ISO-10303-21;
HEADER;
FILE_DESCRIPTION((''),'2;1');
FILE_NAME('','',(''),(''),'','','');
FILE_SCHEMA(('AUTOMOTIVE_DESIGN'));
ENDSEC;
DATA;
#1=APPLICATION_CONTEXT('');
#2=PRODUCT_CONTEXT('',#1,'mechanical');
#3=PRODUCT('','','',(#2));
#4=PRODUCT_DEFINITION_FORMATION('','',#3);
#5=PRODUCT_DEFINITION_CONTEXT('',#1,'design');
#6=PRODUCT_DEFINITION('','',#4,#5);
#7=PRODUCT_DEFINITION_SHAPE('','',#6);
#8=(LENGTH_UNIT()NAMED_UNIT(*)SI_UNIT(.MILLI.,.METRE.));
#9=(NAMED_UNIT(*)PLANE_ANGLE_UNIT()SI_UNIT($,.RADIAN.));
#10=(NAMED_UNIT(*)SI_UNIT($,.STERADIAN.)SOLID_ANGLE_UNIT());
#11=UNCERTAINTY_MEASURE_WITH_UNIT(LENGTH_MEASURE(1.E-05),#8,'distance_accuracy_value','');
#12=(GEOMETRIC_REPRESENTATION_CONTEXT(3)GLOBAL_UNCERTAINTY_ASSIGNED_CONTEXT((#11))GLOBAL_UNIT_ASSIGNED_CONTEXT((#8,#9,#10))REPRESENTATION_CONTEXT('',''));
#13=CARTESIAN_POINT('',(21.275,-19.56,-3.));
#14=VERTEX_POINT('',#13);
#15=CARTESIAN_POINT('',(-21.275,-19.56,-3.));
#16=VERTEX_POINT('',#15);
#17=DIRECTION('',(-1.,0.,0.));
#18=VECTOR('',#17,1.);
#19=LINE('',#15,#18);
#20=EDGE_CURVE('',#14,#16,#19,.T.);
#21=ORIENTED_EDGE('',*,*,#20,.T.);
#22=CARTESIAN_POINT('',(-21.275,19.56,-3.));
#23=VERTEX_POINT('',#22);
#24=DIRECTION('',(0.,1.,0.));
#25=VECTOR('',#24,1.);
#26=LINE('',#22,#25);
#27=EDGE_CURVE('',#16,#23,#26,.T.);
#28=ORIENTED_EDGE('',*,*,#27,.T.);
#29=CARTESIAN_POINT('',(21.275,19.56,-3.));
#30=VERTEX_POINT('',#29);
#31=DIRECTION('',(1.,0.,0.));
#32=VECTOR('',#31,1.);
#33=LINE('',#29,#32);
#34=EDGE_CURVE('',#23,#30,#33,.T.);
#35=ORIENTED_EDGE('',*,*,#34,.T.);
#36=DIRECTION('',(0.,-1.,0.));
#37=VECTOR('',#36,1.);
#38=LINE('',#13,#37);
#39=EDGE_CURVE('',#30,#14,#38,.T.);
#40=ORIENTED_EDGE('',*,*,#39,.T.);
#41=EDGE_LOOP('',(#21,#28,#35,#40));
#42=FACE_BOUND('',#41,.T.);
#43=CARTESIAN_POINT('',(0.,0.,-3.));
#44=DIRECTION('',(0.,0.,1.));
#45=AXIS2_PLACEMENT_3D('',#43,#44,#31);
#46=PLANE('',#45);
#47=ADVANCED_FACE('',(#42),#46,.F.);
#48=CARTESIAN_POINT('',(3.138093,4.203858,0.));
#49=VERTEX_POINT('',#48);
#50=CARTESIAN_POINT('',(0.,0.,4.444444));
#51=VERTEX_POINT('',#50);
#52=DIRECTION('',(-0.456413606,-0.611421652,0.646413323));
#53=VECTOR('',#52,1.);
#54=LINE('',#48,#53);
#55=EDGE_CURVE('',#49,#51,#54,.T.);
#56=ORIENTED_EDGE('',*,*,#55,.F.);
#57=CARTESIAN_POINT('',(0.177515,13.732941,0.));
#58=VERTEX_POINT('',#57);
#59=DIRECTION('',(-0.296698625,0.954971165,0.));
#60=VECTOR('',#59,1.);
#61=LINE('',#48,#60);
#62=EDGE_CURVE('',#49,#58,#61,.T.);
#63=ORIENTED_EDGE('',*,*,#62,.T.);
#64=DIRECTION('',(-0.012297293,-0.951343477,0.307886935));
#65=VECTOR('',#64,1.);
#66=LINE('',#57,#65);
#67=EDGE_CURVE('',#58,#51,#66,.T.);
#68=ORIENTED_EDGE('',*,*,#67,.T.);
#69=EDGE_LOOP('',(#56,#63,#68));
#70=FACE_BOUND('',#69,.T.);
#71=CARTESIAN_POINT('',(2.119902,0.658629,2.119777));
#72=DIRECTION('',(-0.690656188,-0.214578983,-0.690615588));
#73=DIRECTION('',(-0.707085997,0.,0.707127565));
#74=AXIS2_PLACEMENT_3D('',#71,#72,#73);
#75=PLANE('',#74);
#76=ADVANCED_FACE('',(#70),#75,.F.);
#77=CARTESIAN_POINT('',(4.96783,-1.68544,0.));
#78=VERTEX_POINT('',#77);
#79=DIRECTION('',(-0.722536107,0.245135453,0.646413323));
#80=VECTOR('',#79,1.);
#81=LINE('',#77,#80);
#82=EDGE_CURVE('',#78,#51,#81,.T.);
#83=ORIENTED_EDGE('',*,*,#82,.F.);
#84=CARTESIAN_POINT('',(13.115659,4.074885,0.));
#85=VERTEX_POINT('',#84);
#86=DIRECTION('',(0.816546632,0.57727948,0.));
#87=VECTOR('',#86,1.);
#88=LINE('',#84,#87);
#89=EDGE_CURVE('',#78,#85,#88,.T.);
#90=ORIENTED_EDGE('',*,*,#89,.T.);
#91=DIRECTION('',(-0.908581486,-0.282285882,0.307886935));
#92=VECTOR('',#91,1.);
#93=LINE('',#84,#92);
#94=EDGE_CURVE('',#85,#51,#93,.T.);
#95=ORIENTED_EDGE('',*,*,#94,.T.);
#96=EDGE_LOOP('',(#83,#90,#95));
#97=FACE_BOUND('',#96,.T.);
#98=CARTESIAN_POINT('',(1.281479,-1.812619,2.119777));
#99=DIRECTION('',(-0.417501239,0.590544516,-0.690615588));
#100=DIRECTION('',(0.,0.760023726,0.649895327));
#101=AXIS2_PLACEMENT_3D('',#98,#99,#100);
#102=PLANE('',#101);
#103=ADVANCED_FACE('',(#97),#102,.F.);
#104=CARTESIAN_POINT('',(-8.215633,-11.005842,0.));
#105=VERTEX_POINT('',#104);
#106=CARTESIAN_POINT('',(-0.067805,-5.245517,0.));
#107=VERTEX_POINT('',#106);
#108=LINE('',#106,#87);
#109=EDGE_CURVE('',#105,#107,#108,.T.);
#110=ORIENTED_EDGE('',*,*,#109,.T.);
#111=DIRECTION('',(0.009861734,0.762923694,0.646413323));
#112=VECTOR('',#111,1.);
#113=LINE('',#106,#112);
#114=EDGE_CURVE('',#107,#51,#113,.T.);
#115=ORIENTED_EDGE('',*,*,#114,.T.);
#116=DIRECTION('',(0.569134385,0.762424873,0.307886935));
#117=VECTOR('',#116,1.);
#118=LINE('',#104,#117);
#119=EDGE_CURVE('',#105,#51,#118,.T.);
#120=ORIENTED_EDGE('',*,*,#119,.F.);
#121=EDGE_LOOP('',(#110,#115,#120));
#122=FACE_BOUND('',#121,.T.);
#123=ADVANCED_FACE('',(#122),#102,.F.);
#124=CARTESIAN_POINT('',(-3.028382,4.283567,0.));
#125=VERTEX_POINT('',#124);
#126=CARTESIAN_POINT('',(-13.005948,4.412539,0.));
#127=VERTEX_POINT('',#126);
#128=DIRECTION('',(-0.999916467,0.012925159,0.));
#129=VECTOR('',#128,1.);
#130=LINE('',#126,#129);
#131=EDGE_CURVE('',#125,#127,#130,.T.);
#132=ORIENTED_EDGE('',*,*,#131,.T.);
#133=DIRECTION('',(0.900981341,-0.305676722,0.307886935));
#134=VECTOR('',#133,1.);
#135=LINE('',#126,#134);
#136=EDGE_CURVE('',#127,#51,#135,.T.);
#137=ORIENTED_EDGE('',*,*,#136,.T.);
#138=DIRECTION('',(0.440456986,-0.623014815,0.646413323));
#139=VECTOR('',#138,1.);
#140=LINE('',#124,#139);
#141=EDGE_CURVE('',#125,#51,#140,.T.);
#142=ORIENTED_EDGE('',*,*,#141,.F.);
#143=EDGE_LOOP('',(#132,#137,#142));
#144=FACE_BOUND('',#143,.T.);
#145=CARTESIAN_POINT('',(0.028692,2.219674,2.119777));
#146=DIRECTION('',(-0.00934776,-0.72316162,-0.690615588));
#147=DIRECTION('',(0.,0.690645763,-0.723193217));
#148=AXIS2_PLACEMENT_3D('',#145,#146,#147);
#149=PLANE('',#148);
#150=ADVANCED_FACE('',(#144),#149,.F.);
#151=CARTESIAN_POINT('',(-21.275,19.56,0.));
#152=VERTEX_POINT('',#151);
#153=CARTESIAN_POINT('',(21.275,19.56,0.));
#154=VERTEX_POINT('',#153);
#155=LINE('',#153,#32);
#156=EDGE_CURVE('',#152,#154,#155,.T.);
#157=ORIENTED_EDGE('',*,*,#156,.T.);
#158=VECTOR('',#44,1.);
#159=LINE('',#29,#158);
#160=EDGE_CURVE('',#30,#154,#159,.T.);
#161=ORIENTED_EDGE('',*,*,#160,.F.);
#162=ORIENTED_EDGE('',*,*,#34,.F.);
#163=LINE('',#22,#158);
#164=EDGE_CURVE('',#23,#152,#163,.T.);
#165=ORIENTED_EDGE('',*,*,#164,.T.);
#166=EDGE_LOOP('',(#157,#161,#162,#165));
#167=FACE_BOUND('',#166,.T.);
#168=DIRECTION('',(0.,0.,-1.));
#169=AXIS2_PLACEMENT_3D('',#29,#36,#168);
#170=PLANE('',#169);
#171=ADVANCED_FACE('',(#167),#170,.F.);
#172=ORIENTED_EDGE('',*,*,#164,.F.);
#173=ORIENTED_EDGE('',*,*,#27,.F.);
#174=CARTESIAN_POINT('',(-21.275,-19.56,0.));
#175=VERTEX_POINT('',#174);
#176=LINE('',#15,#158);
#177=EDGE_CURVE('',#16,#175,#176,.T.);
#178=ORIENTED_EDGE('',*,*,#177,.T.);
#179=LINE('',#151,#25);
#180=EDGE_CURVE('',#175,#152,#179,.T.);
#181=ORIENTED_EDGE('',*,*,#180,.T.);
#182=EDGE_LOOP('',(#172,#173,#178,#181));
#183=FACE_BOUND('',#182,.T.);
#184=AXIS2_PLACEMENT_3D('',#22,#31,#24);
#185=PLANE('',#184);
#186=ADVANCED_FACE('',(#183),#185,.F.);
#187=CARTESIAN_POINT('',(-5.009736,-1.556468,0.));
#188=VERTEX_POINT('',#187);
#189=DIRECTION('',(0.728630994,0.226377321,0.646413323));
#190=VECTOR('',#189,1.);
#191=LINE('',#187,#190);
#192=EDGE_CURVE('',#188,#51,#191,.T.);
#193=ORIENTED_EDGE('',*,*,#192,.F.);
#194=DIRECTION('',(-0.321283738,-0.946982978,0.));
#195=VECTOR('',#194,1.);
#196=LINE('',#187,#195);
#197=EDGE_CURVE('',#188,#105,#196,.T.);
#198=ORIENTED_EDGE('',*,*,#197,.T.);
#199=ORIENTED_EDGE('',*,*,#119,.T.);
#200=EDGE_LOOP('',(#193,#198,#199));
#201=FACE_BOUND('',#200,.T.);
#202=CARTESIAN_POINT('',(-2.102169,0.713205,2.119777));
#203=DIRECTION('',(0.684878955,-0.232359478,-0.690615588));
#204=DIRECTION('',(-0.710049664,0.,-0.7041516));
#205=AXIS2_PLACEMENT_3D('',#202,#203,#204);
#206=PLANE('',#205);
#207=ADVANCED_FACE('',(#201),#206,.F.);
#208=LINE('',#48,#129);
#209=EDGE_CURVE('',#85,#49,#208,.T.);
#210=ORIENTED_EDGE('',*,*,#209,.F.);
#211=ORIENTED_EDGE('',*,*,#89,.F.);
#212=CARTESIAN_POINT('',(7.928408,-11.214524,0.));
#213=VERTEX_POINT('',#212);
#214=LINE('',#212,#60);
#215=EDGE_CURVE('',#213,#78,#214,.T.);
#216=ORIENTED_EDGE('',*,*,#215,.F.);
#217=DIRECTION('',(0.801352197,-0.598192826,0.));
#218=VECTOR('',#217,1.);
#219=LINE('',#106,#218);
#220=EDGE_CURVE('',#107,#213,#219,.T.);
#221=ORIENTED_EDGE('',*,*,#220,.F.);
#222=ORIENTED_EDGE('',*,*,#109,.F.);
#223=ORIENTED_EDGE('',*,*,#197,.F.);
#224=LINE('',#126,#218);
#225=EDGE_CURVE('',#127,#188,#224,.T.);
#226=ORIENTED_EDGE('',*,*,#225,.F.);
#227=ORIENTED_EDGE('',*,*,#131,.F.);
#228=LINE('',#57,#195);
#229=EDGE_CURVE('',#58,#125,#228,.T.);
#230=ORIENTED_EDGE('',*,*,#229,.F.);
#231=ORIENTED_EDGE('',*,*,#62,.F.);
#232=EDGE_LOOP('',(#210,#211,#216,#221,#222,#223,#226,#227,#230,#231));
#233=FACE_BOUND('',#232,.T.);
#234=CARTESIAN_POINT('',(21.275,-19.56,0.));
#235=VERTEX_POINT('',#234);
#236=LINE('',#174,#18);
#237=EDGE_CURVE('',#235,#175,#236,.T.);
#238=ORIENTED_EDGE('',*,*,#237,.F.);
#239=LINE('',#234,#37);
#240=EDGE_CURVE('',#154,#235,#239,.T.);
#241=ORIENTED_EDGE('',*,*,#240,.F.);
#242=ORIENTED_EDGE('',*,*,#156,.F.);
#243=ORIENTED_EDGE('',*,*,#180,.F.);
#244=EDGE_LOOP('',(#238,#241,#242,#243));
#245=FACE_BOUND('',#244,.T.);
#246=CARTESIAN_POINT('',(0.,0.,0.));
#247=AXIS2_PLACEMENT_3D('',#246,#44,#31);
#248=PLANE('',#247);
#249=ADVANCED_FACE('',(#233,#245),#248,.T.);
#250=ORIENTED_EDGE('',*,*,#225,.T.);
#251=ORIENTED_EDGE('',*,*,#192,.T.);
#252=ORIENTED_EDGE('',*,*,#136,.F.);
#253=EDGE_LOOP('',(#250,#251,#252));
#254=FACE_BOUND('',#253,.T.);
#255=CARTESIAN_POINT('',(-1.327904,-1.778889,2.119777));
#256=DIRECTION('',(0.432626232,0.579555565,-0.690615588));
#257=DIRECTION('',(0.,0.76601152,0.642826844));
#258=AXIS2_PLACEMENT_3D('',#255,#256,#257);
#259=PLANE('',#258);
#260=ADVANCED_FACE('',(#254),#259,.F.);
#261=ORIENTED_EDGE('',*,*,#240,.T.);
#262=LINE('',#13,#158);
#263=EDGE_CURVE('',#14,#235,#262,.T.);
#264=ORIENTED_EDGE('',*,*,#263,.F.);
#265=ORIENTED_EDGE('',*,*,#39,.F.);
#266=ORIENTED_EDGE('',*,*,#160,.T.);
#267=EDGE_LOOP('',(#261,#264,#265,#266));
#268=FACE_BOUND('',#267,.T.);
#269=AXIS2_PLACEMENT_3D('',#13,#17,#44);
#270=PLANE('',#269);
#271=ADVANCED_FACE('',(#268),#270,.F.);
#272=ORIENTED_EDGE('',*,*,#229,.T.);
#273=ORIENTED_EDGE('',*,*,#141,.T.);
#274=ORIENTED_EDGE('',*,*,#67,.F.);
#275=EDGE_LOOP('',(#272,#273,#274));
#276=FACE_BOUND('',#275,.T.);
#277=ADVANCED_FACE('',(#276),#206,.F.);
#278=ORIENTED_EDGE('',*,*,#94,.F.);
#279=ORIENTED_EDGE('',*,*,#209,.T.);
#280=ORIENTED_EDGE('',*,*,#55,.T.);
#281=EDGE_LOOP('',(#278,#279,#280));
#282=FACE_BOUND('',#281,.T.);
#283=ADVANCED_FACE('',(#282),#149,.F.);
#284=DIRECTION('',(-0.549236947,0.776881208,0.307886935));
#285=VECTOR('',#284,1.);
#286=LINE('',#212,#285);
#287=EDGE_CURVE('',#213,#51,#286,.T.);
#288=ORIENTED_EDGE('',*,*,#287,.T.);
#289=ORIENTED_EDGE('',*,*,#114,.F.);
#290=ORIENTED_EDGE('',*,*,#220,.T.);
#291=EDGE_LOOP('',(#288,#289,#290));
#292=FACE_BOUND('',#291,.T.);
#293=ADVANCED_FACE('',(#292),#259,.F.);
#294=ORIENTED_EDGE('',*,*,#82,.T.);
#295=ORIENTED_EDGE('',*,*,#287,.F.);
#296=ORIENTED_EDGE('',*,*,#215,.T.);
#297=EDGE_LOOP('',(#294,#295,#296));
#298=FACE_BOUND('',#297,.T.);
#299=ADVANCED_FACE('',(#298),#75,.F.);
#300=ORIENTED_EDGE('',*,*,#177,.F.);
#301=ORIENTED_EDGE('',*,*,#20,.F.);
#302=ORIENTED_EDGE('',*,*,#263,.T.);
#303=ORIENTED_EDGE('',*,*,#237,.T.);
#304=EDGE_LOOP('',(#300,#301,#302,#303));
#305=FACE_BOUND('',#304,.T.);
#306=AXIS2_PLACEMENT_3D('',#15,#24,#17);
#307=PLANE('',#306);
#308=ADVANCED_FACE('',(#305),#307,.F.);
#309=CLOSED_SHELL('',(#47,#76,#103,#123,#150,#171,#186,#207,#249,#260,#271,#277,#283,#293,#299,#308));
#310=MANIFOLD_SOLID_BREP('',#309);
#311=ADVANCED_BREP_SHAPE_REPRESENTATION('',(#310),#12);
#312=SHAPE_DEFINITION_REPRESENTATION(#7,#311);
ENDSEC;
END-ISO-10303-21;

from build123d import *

# Parameters (mm, degrees)
SCALE1_SCALE        = 0.222222222
SKETCH5_W           = 42.55
SKETCH5_H           = 39.12
BOSS_EXTRUDE1_DEPTH = 3


with BuildPart() as part:
    # Sketch2 → Loft1 section 0
    with BuildSketch(Plane.XY, mode=Mode.PRIVATE) as loft1_s0:
        with BuildLine():
            Line((0.798818744, 61.79823623), (-13.627719918, 19.2760512))
            Line((-13.627719918, 19.2760512), (-58.526766695, 19.856426989))
            Line((-58.526766695, 19.856426989), (-22.543811151, -7.004104425))
            Line((-22.543811151, -7.004104425), (-36.970349813, -49.526289455))
            Line((-36.970349813, -49.526289455), (-0.305121609, -23.604825795))
            Line((-0.305121609, -23.604825795), (35.677833934, -50.465357209))
            Line((35.677833934, -50.465357209), (22.355235626, -7.584480215))
            Line((22.355235626, -7.584480215), (59.020463829, 18.336983445))
            Line((59.020463829, 18.336983445), (14.121417053, 18.917359235))
            Line((14.121417053, 18.917359235), (0.798818744, 61.79823623))
        make_face()
    loft([loft1_s0.sketch, Vertex(0, 0, 20)])


with BuildPart() as part_1:
    # Scale1: scaled about (0, 0, 0)
    add(part.part.scale(SCALE1_SCALE))

    # Sketch5 → Boss-Extrude1 (add)
    with BuildSketch(Plane(origin=(0, 0, 0), x_dir=(-1, 0, 0), z_dir=(0, 0, -1))):
        Rectangle(SKETCH5_W, SKETCH5_H)
    extrude(amount=BOSS_EXTRUDE1_DEPTH)


solid = part_1.part
